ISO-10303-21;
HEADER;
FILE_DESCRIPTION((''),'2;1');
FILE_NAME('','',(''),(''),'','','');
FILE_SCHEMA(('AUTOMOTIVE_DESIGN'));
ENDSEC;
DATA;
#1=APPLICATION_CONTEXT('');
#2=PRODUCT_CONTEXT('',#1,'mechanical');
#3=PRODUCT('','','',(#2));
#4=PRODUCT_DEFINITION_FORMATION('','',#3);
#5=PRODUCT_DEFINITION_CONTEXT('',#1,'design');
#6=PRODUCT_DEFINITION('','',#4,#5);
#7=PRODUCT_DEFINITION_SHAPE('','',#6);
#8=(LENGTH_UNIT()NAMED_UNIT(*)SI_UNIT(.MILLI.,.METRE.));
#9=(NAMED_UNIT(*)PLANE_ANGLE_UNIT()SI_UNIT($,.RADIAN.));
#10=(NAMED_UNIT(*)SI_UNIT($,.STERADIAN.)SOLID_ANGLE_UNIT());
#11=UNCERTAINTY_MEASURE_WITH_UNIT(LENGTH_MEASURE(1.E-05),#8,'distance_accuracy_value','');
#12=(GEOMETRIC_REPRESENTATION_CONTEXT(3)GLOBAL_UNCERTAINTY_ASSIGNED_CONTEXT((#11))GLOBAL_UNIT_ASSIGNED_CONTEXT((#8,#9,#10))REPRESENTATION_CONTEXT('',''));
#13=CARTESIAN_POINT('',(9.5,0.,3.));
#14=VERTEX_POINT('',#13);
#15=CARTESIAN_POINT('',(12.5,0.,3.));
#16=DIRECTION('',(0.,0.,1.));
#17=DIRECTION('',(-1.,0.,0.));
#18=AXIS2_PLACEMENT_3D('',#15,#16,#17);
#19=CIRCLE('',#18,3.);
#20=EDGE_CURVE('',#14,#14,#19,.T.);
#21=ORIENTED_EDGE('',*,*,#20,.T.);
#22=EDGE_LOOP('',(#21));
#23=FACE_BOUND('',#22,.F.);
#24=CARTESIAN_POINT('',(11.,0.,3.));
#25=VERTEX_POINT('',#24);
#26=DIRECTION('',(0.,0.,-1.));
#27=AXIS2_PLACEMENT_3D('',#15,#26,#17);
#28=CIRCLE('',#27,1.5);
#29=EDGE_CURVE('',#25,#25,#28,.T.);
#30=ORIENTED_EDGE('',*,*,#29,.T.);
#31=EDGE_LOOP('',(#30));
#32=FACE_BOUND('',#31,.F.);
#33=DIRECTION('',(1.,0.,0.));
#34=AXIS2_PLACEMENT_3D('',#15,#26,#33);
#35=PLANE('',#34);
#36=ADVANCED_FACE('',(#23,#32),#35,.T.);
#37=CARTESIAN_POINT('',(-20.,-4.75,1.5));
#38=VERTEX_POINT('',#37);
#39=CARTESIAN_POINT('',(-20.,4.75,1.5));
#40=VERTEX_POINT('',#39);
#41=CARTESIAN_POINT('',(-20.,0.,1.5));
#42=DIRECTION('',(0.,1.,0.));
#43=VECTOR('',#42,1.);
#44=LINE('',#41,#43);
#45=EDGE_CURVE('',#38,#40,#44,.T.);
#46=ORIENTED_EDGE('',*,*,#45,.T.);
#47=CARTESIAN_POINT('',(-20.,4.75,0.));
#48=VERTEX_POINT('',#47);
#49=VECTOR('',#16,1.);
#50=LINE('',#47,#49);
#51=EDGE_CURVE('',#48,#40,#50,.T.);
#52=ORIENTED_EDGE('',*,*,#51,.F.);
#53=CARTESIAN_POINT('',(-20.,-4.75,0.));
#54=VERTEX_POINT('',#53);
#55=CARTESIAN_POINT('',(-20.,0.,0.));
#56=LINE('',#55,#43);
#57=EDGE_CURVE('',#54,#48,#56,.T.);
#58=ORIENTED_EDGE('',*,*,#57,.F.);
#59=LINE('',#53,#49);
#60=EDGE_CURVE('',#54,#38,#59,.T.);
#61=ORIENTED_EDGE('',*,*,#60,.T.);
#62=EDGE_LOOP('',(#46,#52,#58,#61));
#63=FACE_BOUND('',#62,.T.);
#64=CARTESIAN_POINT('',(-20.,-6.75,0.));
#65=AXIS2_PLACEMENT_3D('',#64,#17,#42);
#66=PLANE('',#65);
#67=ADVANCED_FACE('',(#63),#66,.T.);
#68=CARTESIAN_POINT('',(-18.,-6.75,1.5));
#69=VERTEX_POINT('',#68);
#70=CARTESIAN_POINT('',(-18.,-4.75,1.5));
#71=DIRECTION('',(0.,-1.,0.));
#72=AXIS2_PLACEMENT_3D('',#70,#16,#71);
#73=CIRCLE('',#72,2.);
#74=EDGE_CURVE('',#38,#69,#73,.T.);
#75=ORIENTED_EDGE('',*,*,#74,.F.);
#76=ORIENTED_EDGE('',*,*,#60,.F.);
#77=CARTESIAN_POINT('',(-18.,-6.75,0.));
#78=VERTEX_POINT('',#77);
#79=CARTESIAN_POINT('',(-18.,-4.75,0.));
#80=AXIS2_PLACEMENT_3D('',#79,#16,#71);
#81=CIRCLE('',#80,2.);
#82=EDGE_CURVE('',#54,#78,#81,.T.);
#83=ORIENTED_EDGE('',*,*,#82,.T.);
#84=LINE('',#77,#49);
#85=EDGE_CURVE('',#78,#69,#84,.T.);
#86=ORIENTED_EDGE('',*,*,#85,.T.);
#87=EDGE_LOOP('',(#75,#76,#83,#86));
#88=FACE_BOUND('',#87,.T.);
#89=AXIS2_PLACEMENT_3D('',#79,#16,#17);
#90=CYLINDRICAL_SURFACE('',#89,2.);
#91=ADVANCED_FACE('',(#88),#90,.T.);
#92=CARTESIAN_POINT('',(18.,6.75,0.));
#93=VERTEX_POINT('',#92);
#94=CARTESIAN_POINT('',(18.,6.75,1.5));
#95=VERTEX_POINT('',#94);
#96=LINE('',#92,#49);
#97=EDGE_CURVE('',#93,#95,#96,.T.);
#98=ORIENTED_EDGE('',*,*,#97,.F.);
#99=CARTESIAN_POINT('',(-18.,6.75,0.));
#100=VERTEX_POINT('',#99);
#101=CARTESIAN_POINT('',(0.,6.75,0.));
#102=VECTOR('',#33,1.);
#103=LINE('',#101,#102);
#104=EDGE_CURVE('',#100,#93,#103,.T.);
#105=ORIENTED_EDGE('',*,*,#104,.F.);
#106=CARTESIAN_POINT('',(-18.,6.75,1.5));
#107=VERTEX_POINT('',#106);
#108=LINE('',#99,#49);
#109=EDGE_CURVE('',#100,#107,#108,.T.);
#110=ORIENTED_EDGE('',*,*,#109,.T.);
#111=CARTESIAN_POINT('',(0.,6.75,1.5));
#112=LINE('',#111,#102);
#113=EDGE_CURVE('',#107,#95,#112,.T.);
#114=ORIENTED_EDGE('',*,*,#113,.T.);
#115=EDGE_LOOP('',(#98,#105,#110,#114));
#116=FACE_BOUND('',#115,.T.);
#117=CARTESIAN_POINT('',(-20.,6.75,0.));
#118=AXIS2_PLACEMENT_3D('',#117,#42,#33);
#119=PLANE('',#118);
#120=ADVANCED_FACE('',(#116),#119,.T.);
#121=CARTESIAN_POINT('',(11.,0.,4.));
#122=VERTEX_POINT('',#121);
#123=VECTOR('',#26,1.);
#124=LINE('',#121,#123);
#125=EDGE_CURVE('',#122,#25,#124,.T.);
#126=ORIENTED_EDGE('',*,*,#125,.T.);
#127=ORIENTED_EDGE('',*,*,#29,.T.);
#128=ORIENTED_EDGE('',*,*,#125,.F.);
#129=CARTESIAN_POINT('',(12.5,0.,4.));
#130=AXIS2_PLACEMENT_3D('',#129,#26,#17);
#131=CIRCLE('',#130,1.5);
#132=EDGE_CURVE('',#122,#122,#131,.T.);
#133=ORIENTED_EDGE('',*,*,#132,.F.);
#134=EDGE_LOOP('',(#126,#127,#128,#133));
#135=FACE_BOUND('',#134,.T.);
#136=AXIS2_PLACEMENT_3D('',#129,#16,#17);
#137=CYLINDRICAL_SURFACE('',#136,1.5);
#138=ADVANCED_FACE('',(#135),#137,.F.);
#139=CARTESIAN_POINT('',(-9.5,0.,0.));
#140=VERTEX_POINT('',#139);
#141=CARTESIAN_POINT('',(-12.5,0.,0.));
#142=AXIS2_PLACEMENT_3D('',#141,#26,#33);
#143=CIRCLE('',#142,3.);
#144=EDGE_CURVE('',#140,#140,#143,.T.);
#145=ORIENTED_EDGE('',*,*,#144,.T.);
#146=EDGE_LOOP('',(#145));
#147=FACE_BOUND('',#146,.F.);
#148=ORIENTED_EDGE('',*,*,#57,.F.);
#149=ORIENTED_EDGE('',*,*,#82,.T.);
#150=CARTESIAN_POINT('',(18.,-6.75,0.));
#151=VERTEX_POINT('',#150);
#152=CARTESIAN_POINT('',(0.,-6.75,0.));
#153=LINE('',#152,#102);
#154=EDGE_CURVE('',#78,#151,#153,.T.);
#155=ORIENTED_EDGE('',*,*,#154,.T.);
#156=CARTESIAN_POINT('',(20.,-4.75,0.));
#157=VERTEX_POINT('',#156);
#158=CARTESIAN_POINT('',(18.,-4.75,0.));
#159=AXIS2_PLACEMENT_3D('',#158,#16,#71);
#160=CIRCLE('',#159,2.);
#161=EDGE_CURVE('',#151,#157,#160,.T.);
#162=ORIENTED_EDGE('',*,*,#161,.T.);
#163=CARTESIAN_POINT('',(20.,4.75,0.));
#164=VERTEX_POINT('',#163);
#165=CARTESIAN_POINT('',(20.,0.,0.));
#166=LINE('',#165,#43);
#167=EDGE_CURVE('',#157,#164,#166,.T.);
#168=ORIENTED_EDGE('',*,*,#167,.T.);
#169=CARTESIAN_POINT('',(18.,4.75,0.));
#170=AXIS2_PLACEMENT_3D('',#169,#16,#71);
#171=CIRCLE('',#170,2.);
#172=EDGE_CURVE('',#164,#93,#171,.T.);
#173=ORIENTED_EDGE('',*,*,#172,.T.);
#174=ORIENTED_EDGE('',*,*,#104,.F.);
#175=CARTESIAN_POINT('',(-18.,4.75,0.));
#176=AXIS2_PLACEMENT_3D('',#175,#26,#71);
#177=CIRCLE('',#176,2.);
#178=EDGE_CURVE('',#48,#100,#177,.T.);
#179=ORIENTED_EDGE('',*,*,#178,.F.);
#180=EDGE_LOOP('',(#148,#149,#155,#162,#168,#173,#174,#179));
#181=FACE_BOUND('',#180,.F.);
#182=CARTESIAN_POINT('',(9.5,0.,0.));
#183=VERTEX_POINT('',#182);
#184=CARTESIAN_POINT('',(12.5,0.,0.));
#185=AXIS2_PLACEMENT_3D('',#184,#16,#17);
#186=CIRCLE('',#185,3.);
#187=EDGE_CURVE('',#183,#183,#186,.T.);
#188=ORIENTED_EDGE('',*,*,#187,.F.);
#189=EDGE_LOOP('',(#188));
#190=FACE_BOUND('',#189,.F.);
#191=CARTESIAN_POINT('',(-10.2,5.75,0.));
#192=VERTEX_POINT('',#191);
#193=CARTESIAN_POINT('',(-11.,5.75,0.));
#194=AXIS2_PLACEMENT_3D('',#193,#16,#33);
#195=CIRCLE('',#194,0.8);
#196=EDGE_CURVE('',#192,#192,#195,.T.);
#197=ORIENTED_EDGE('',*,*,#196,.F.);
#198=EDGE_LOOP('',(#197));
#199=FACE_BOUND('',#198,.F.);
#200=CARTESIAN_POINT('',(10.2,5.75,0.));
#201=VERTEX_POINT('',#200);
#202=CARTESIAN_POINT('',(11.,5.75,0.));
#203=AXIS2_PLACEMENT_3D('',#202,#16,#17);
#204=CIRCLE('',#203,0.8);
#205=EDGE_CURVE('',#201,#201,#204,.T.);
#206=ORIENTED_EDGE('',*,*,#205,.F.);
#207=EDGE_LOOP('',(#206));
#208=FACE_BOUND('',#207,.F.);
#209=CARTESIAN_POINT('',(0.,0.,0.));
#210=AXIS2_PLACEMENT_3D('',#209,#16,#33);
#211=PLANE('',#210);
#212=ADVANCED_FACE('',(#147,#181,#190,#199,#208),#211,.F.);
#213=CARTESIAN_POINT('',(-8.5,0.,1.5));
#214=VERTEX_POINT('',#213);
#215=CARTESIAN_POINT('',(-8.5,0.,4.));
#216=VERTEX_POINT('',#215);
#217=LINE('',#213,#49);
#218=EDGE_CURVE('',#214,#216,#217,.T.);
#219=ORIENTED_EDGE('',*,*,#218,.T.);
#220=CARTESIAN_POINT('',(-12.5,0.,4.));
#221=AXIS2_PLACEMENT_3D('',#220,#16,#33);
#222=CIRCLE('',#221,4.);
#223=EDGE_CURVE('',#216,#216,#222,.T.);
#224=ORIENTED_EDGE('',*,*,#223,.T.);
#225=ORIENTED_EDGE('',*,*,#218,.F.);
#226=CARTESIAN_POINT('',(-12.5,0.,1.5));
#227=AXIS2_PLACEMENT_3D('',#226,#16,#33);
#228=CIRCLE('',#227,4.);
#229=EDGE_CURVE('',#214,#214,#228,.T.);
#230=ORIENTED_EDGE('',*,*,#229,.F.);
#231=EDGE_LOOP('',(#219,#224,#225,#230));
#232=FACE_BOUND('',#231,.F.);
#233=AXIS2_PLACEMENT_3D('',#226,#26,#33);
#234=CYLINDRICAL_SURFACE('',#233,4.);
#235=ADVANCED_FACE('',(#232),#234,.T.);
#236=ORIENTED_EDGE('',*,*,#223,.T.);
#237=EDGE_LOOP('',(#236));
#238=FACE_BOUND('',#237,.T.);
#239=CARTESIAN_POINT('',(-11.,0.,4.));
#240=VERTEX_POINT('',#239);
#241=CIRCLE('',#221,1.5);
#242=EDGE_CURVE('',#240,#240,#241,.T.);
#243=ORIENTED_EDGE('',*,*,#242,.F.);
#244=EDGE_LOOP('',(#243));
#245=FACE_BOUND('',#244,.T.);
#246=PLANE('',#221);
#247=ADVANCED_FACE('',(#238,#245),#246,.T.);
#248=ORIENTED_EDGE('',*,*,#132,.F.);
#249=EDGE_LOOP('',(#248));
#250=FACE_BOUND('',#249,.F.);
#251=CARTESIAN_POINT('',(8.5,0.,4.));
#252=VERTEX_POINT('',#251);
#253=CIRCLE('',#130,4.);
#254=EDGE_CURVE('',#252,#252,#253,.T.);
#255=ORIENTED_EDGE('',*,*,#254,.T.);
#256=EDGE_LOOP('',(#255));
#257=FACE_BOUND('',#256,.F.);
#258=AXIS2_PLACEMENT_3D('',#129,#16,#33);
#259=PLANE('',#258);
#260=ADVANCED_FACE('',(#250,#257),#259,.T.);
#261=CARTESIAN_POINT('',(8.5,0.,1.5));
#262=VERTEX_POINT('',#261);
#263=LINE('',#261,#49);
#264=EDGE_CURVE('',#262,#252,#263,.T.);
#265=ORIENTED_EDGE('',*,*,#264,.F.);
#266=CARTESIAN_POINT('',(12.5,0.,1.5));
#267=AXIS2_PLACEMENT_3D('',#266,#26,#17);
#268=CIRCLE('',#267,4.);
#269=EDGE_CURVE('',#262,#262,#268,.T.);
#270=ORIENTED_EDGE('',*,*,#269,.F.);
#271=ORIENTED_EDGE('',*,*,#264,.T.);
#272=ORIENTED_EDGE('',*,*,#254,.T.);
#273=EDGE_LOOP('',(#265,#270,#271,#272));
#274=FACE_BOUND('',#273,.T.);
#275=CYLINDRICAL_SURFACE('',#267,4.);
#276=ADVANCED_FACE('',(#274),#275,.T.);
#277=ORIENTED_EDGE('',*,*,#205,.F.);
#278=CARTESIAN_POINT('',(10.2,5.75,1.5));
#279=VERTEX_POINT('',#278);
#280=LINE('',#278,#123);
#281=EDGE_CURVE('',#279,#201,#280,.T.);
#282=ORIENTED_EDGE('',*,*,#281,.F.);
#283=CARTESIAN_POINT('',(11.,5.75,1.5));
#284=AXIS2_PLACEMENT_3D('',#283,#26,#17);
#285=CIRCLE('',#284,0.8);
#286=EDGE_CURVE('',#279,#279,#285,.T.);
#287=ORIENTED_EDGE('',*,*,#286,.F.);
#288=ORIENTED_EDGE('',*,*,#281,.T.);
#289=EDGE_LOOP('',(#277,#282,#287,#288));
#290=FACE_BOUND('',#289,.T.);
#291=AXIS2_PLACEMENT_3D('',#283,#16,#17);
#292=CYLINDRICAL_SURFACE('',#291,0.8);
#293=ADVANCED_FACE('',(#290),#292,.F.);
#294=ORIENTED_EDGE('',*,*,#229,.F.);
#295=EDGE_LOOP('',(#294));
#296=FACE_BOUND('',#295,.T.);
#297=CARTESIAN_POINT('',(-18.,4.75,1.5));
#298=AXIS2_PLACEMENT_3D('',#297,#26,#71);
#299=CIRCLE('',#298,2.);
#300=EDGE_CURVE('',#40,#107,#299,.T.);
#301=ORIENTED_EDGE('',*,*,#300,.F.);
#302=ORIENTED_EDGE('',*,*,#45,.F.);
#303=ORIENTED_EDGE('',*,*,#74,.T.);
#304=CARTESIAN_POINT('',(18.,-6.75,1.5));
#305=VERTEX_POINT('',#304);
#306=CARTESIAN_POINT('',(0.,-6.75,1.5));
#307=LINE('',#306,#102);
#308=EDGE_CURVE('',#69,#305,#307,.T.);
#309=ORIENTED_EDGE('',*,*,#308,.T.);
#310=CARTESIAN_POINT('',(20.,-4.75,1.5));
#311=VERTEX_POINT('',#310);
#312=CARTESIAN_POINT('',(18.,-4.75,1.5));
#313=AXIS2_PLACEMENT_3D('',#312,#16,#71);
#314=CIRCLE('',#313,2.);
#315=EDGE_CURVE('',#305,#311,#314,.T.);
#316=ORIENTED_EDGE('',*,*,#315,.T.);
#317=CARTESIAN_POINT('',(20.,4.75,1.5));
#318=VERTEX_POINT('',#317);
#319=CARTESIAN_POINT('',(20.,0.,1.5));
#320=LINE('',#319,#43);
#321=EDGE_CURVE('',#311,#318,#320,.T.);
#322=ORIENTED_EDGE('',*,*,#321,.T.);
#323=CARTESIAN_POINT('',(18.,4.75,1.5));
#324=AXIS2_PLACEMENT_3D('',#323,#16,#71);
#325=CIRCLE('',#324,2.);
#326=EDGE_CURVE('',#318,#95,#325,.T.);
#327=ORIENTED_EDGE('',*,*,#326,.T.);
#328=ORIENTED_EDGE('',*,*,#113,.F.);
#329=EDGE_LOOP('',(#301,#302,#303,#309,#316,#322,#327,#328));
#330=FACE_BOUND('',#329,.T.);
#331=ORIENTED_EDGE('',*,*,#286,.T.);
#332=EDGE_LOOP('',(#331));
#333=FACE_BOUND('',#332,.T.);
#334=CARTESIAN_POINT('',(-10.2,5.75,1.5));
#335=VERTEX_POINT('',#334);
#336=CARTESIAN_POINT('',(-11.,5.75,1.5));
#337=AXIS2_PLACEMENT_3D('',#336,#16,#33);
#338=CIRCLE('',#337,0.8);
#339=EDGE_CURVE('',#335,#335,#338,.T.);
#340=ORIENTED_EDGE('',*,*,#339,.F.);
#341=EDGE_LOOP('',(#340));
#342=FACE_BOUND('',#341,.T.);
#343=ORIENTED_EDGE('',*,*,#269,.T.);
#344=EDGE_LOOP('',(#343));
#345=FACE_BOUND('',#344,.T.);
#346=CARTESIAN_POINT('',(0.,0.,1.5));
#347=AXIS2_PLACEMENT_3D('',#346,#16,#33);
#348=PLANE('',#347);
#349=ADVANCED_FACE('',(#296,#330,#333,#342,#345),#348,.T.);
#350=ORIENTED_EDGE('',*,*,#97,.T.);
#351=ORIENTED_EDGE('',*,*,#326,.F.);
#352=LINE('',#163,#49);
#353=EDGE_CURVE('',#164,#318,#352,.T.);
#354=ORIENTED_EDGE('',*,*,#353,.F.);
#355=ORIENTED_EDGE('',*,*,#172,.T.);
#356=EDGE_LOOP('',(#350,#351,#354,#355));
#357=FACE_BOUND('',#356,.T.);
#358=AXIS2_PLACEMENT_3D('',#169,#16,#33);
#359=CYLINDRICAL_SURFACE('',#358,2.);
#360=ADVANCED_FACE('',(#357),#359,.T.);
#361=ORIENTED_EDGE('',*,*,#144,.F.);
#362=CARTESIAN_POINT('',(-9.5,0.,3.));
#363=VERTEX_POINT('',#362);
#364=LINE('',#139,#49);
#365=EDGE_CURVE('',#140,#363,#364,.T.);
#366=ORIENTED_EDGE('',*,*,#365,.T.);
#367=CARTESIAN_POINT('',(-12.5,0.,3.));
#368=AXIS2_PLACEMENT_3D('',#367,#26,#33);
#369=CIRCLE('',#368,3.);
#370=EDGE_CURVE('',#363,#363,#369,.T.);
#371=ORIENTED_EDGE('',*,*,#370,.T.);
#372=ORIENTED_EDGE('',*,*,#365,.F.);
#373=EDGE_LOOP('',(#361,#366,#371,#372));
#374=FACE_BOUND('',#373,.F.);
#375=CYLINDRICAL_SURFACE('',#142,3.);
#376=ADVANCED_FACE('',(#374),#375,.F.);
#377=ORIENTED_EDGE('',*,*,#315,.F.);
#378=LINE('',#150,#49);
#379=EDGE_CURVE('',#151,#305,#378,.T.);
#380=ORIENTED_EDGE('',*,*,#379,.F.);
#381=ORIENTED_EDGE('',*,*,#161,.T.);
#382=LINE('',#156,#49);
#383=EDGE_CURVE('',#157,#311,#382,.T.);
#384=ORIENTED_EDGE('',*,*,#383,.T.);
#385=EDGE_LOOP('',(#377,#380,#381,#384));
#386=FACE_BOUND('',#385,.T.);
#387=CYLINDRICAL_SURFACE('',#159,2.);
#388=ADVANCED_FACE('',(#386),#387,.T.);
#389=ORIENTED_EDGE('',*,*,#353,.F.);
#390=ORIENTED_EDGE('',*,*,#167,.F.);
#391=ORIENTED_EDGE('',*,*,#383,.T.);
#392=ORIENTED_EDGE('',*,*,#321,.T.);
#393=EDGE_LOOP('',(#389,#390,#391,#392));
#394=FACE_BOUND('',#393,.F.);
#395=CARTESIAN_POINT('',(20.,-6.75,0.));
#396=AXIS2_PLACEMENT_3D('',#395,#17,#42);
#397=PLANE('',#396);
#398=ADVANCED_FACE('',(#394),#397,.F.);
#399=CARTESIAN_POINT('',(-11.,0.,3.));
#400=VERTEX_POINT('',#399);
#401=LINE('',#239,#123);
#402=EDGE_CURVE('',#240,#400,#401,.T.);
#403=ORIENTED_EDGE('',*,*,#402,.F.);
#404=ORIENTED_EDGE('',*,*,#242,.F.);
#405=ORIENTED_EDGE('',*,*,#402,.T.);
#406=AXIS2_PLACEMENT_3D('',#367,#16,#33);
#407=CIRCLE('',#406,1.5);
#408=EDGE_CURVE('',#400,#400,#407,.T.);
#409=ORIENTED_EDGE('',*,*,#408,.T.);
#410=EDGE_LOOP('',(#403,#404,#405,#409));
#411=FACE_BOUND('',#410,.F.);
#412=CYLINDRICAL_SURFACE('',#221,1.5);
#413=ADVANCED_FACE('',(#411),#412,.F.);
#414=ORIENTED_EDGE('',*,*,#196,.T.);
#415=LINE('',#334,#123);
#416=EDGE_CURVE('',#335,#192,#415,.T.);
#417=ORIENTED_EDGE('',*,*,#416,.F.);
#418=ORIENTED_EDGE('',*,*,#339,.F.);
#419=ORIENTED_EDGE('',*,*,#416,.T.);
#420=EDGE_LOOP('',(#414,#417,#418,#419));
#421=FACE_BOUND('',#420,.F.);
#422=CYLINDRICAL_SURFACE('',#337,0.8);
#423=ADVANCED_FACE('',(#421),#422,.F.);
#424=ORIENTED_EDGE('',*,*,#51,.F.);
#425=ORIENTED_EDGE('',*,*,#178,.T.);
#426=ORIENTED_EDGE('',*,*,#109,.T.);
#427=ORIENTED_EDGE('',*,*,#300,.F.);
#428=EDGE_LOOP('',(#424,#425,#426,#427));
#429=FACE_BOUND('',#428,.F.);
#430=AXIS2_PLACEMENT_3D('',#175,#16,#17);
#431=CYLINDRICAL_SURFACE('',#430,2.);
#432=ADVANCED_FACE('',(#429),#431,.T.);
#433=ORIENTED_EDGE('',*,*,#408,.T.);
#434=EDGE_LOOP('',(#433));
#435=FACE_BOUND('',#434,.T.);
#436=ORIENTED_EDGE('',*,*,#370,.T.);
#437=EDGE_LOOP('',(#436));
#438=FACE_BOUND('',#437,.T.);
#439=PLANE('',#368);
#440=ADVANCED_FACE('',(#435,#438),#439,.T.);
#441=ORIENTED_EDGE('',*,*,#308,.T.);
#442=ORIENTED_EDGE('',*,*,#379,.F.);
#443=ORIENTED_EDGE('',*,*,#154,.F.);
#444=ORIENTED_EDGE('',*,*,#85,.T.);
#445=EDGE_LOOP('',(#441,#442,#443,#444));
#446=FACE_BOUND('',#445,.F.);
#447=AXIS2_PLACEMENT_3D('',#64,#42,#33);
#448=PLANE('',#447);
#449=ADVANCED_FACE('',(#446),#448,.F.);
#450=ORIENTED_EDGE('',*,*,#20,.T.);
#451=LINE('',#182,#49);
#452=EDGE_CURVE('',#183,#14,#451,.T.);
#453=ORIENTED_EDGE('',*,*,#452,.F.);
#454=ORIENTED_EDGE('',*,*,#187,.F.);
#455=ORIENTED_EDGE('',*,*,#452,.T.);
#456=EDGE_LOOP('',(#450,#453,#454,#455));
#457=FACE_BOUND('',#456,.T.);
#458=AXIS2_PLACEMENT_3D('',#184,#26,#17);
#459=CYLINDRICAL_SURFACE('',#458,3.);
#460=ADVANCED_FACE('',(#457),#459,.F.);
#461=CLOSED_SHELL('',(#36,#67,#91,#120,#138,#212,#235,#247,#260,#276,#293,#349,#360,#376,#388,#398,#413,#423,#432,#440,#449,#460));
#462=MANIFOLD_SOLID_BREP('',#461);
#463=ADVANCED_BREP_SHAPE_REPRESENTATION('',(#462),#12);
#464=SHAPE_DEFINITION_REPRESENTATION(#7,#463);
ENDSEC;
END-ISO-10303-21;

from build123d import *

# Parameters (mm, degrees)
SKETCH_W        = 40
SKETCH_H        = 13.5
PAD_DEPTH       = 1.5
FILLET_R        = 2
SKETCH001_R     = 0.8
POCKET_DEPTH    = 5
SKETCH002_R     = 4
PAD001_DEPTH    = 2.5
SKETCH003_R     = 1.5
POCKET001_DEPTH = 1
SKETCH004_R     = 3
POCKET002_DEPTH = 3


with BuildPart() as part:
    # Sketch → Pad (new body)
    with BuildSketch(Plane.XY):
        Rectangle(SKETCH_W, SKETCH_H)
    extrude(amount=PAD_DEPTH)

    # Fillet
    fillet_edges = [part.edges().sort_by_distance(p)[0] for p in [
        (-20, -6.75, 0.75),
        (-20, 6.75, 0.75),
        (20, 6.75, 0.75),
        (20, -6.75, 0.75),
    ]]
    fillet(fillet_edges, radius=FILLET_R)

    # Sketch001 (on Face5 of Fillet) → Pocket (cut)
    with BuildSketch(Plane.XY.offset(1.5)):
        with Locations((-11, 5.75)):
            Circle(SKETCH001_R)
    pocket = extrude(amount=-POCKET_DEPTH, mode=Mode.SUBTRACT)

    # Mirrored: Pocket across Sketch001 V_Axis
    add(pocket.mirror(Plane(origin=(0, 0, 1.5), x_dir=(0, 0, 1), z_dir=(1, 0, 0))), mode=Mode.SUBTRACT)

    # Sketch002 (on Face5 of Mirrored) → Pad001 (join)
    with BuildSketch(Plane.XY.offset(1.5)):
        with Locations((-12.5, 0)):
            Circle(SKETCH002_R)
    pad001 = extrude(amount=PAD001_DEPTH)

    # Mirrored001: Pad001 across Sketch002 V_Axis
    add(pad001.mirror(Plane(origin=(0, 0, 1.5), x_dir=(0, 0, 1), z_dir=(1, 0, 0))))

    # Sketch003 (on Face15 of Mirrored001) → Pocket001 (cut)
    with BuildSketch(Plane.XY.offset(4)):
        with Locations((-12.5, 0)):
            Circle(SKETCH003_R)
    pocket001 = extrude(amount=-POCKET001_DEPTH, mode=Mode.SUBTRACT)

    # Mirrored002: Pocket001 across Sketch003 V_Axis
    add(pocket001.mirror(Plane(origin=(0, 0, 4), x_dir=(0, 0, 1), z_dir=(1, 0, 0))), mode=Mode.SUBTRACT)

    # Sketch004 (on Face2 of Mirrored002) → Pocket002 (cut)
    with BuildSketch(Plane(origin=(0, 0, 0), x_dir=(1, 0, 0), z_dir=(0, 0, -1))):
        with Locations((-12.5, 0)):
            Circle(SKETCH004_R)
    pocket002 = extrude(amount=-POCKET002_DEPTH, mode=Mode.SUBTRACT)

    # Mirrored003: Pocket002 across Sketch004 V_Axis
    add(pocket002.mirror(Plane(origin=(0, 0, 0), x_dir=(0, 0, -1), z_dir=(1, 0, 0))), mode=Mode.SUBTRACT)


solid = part.part
